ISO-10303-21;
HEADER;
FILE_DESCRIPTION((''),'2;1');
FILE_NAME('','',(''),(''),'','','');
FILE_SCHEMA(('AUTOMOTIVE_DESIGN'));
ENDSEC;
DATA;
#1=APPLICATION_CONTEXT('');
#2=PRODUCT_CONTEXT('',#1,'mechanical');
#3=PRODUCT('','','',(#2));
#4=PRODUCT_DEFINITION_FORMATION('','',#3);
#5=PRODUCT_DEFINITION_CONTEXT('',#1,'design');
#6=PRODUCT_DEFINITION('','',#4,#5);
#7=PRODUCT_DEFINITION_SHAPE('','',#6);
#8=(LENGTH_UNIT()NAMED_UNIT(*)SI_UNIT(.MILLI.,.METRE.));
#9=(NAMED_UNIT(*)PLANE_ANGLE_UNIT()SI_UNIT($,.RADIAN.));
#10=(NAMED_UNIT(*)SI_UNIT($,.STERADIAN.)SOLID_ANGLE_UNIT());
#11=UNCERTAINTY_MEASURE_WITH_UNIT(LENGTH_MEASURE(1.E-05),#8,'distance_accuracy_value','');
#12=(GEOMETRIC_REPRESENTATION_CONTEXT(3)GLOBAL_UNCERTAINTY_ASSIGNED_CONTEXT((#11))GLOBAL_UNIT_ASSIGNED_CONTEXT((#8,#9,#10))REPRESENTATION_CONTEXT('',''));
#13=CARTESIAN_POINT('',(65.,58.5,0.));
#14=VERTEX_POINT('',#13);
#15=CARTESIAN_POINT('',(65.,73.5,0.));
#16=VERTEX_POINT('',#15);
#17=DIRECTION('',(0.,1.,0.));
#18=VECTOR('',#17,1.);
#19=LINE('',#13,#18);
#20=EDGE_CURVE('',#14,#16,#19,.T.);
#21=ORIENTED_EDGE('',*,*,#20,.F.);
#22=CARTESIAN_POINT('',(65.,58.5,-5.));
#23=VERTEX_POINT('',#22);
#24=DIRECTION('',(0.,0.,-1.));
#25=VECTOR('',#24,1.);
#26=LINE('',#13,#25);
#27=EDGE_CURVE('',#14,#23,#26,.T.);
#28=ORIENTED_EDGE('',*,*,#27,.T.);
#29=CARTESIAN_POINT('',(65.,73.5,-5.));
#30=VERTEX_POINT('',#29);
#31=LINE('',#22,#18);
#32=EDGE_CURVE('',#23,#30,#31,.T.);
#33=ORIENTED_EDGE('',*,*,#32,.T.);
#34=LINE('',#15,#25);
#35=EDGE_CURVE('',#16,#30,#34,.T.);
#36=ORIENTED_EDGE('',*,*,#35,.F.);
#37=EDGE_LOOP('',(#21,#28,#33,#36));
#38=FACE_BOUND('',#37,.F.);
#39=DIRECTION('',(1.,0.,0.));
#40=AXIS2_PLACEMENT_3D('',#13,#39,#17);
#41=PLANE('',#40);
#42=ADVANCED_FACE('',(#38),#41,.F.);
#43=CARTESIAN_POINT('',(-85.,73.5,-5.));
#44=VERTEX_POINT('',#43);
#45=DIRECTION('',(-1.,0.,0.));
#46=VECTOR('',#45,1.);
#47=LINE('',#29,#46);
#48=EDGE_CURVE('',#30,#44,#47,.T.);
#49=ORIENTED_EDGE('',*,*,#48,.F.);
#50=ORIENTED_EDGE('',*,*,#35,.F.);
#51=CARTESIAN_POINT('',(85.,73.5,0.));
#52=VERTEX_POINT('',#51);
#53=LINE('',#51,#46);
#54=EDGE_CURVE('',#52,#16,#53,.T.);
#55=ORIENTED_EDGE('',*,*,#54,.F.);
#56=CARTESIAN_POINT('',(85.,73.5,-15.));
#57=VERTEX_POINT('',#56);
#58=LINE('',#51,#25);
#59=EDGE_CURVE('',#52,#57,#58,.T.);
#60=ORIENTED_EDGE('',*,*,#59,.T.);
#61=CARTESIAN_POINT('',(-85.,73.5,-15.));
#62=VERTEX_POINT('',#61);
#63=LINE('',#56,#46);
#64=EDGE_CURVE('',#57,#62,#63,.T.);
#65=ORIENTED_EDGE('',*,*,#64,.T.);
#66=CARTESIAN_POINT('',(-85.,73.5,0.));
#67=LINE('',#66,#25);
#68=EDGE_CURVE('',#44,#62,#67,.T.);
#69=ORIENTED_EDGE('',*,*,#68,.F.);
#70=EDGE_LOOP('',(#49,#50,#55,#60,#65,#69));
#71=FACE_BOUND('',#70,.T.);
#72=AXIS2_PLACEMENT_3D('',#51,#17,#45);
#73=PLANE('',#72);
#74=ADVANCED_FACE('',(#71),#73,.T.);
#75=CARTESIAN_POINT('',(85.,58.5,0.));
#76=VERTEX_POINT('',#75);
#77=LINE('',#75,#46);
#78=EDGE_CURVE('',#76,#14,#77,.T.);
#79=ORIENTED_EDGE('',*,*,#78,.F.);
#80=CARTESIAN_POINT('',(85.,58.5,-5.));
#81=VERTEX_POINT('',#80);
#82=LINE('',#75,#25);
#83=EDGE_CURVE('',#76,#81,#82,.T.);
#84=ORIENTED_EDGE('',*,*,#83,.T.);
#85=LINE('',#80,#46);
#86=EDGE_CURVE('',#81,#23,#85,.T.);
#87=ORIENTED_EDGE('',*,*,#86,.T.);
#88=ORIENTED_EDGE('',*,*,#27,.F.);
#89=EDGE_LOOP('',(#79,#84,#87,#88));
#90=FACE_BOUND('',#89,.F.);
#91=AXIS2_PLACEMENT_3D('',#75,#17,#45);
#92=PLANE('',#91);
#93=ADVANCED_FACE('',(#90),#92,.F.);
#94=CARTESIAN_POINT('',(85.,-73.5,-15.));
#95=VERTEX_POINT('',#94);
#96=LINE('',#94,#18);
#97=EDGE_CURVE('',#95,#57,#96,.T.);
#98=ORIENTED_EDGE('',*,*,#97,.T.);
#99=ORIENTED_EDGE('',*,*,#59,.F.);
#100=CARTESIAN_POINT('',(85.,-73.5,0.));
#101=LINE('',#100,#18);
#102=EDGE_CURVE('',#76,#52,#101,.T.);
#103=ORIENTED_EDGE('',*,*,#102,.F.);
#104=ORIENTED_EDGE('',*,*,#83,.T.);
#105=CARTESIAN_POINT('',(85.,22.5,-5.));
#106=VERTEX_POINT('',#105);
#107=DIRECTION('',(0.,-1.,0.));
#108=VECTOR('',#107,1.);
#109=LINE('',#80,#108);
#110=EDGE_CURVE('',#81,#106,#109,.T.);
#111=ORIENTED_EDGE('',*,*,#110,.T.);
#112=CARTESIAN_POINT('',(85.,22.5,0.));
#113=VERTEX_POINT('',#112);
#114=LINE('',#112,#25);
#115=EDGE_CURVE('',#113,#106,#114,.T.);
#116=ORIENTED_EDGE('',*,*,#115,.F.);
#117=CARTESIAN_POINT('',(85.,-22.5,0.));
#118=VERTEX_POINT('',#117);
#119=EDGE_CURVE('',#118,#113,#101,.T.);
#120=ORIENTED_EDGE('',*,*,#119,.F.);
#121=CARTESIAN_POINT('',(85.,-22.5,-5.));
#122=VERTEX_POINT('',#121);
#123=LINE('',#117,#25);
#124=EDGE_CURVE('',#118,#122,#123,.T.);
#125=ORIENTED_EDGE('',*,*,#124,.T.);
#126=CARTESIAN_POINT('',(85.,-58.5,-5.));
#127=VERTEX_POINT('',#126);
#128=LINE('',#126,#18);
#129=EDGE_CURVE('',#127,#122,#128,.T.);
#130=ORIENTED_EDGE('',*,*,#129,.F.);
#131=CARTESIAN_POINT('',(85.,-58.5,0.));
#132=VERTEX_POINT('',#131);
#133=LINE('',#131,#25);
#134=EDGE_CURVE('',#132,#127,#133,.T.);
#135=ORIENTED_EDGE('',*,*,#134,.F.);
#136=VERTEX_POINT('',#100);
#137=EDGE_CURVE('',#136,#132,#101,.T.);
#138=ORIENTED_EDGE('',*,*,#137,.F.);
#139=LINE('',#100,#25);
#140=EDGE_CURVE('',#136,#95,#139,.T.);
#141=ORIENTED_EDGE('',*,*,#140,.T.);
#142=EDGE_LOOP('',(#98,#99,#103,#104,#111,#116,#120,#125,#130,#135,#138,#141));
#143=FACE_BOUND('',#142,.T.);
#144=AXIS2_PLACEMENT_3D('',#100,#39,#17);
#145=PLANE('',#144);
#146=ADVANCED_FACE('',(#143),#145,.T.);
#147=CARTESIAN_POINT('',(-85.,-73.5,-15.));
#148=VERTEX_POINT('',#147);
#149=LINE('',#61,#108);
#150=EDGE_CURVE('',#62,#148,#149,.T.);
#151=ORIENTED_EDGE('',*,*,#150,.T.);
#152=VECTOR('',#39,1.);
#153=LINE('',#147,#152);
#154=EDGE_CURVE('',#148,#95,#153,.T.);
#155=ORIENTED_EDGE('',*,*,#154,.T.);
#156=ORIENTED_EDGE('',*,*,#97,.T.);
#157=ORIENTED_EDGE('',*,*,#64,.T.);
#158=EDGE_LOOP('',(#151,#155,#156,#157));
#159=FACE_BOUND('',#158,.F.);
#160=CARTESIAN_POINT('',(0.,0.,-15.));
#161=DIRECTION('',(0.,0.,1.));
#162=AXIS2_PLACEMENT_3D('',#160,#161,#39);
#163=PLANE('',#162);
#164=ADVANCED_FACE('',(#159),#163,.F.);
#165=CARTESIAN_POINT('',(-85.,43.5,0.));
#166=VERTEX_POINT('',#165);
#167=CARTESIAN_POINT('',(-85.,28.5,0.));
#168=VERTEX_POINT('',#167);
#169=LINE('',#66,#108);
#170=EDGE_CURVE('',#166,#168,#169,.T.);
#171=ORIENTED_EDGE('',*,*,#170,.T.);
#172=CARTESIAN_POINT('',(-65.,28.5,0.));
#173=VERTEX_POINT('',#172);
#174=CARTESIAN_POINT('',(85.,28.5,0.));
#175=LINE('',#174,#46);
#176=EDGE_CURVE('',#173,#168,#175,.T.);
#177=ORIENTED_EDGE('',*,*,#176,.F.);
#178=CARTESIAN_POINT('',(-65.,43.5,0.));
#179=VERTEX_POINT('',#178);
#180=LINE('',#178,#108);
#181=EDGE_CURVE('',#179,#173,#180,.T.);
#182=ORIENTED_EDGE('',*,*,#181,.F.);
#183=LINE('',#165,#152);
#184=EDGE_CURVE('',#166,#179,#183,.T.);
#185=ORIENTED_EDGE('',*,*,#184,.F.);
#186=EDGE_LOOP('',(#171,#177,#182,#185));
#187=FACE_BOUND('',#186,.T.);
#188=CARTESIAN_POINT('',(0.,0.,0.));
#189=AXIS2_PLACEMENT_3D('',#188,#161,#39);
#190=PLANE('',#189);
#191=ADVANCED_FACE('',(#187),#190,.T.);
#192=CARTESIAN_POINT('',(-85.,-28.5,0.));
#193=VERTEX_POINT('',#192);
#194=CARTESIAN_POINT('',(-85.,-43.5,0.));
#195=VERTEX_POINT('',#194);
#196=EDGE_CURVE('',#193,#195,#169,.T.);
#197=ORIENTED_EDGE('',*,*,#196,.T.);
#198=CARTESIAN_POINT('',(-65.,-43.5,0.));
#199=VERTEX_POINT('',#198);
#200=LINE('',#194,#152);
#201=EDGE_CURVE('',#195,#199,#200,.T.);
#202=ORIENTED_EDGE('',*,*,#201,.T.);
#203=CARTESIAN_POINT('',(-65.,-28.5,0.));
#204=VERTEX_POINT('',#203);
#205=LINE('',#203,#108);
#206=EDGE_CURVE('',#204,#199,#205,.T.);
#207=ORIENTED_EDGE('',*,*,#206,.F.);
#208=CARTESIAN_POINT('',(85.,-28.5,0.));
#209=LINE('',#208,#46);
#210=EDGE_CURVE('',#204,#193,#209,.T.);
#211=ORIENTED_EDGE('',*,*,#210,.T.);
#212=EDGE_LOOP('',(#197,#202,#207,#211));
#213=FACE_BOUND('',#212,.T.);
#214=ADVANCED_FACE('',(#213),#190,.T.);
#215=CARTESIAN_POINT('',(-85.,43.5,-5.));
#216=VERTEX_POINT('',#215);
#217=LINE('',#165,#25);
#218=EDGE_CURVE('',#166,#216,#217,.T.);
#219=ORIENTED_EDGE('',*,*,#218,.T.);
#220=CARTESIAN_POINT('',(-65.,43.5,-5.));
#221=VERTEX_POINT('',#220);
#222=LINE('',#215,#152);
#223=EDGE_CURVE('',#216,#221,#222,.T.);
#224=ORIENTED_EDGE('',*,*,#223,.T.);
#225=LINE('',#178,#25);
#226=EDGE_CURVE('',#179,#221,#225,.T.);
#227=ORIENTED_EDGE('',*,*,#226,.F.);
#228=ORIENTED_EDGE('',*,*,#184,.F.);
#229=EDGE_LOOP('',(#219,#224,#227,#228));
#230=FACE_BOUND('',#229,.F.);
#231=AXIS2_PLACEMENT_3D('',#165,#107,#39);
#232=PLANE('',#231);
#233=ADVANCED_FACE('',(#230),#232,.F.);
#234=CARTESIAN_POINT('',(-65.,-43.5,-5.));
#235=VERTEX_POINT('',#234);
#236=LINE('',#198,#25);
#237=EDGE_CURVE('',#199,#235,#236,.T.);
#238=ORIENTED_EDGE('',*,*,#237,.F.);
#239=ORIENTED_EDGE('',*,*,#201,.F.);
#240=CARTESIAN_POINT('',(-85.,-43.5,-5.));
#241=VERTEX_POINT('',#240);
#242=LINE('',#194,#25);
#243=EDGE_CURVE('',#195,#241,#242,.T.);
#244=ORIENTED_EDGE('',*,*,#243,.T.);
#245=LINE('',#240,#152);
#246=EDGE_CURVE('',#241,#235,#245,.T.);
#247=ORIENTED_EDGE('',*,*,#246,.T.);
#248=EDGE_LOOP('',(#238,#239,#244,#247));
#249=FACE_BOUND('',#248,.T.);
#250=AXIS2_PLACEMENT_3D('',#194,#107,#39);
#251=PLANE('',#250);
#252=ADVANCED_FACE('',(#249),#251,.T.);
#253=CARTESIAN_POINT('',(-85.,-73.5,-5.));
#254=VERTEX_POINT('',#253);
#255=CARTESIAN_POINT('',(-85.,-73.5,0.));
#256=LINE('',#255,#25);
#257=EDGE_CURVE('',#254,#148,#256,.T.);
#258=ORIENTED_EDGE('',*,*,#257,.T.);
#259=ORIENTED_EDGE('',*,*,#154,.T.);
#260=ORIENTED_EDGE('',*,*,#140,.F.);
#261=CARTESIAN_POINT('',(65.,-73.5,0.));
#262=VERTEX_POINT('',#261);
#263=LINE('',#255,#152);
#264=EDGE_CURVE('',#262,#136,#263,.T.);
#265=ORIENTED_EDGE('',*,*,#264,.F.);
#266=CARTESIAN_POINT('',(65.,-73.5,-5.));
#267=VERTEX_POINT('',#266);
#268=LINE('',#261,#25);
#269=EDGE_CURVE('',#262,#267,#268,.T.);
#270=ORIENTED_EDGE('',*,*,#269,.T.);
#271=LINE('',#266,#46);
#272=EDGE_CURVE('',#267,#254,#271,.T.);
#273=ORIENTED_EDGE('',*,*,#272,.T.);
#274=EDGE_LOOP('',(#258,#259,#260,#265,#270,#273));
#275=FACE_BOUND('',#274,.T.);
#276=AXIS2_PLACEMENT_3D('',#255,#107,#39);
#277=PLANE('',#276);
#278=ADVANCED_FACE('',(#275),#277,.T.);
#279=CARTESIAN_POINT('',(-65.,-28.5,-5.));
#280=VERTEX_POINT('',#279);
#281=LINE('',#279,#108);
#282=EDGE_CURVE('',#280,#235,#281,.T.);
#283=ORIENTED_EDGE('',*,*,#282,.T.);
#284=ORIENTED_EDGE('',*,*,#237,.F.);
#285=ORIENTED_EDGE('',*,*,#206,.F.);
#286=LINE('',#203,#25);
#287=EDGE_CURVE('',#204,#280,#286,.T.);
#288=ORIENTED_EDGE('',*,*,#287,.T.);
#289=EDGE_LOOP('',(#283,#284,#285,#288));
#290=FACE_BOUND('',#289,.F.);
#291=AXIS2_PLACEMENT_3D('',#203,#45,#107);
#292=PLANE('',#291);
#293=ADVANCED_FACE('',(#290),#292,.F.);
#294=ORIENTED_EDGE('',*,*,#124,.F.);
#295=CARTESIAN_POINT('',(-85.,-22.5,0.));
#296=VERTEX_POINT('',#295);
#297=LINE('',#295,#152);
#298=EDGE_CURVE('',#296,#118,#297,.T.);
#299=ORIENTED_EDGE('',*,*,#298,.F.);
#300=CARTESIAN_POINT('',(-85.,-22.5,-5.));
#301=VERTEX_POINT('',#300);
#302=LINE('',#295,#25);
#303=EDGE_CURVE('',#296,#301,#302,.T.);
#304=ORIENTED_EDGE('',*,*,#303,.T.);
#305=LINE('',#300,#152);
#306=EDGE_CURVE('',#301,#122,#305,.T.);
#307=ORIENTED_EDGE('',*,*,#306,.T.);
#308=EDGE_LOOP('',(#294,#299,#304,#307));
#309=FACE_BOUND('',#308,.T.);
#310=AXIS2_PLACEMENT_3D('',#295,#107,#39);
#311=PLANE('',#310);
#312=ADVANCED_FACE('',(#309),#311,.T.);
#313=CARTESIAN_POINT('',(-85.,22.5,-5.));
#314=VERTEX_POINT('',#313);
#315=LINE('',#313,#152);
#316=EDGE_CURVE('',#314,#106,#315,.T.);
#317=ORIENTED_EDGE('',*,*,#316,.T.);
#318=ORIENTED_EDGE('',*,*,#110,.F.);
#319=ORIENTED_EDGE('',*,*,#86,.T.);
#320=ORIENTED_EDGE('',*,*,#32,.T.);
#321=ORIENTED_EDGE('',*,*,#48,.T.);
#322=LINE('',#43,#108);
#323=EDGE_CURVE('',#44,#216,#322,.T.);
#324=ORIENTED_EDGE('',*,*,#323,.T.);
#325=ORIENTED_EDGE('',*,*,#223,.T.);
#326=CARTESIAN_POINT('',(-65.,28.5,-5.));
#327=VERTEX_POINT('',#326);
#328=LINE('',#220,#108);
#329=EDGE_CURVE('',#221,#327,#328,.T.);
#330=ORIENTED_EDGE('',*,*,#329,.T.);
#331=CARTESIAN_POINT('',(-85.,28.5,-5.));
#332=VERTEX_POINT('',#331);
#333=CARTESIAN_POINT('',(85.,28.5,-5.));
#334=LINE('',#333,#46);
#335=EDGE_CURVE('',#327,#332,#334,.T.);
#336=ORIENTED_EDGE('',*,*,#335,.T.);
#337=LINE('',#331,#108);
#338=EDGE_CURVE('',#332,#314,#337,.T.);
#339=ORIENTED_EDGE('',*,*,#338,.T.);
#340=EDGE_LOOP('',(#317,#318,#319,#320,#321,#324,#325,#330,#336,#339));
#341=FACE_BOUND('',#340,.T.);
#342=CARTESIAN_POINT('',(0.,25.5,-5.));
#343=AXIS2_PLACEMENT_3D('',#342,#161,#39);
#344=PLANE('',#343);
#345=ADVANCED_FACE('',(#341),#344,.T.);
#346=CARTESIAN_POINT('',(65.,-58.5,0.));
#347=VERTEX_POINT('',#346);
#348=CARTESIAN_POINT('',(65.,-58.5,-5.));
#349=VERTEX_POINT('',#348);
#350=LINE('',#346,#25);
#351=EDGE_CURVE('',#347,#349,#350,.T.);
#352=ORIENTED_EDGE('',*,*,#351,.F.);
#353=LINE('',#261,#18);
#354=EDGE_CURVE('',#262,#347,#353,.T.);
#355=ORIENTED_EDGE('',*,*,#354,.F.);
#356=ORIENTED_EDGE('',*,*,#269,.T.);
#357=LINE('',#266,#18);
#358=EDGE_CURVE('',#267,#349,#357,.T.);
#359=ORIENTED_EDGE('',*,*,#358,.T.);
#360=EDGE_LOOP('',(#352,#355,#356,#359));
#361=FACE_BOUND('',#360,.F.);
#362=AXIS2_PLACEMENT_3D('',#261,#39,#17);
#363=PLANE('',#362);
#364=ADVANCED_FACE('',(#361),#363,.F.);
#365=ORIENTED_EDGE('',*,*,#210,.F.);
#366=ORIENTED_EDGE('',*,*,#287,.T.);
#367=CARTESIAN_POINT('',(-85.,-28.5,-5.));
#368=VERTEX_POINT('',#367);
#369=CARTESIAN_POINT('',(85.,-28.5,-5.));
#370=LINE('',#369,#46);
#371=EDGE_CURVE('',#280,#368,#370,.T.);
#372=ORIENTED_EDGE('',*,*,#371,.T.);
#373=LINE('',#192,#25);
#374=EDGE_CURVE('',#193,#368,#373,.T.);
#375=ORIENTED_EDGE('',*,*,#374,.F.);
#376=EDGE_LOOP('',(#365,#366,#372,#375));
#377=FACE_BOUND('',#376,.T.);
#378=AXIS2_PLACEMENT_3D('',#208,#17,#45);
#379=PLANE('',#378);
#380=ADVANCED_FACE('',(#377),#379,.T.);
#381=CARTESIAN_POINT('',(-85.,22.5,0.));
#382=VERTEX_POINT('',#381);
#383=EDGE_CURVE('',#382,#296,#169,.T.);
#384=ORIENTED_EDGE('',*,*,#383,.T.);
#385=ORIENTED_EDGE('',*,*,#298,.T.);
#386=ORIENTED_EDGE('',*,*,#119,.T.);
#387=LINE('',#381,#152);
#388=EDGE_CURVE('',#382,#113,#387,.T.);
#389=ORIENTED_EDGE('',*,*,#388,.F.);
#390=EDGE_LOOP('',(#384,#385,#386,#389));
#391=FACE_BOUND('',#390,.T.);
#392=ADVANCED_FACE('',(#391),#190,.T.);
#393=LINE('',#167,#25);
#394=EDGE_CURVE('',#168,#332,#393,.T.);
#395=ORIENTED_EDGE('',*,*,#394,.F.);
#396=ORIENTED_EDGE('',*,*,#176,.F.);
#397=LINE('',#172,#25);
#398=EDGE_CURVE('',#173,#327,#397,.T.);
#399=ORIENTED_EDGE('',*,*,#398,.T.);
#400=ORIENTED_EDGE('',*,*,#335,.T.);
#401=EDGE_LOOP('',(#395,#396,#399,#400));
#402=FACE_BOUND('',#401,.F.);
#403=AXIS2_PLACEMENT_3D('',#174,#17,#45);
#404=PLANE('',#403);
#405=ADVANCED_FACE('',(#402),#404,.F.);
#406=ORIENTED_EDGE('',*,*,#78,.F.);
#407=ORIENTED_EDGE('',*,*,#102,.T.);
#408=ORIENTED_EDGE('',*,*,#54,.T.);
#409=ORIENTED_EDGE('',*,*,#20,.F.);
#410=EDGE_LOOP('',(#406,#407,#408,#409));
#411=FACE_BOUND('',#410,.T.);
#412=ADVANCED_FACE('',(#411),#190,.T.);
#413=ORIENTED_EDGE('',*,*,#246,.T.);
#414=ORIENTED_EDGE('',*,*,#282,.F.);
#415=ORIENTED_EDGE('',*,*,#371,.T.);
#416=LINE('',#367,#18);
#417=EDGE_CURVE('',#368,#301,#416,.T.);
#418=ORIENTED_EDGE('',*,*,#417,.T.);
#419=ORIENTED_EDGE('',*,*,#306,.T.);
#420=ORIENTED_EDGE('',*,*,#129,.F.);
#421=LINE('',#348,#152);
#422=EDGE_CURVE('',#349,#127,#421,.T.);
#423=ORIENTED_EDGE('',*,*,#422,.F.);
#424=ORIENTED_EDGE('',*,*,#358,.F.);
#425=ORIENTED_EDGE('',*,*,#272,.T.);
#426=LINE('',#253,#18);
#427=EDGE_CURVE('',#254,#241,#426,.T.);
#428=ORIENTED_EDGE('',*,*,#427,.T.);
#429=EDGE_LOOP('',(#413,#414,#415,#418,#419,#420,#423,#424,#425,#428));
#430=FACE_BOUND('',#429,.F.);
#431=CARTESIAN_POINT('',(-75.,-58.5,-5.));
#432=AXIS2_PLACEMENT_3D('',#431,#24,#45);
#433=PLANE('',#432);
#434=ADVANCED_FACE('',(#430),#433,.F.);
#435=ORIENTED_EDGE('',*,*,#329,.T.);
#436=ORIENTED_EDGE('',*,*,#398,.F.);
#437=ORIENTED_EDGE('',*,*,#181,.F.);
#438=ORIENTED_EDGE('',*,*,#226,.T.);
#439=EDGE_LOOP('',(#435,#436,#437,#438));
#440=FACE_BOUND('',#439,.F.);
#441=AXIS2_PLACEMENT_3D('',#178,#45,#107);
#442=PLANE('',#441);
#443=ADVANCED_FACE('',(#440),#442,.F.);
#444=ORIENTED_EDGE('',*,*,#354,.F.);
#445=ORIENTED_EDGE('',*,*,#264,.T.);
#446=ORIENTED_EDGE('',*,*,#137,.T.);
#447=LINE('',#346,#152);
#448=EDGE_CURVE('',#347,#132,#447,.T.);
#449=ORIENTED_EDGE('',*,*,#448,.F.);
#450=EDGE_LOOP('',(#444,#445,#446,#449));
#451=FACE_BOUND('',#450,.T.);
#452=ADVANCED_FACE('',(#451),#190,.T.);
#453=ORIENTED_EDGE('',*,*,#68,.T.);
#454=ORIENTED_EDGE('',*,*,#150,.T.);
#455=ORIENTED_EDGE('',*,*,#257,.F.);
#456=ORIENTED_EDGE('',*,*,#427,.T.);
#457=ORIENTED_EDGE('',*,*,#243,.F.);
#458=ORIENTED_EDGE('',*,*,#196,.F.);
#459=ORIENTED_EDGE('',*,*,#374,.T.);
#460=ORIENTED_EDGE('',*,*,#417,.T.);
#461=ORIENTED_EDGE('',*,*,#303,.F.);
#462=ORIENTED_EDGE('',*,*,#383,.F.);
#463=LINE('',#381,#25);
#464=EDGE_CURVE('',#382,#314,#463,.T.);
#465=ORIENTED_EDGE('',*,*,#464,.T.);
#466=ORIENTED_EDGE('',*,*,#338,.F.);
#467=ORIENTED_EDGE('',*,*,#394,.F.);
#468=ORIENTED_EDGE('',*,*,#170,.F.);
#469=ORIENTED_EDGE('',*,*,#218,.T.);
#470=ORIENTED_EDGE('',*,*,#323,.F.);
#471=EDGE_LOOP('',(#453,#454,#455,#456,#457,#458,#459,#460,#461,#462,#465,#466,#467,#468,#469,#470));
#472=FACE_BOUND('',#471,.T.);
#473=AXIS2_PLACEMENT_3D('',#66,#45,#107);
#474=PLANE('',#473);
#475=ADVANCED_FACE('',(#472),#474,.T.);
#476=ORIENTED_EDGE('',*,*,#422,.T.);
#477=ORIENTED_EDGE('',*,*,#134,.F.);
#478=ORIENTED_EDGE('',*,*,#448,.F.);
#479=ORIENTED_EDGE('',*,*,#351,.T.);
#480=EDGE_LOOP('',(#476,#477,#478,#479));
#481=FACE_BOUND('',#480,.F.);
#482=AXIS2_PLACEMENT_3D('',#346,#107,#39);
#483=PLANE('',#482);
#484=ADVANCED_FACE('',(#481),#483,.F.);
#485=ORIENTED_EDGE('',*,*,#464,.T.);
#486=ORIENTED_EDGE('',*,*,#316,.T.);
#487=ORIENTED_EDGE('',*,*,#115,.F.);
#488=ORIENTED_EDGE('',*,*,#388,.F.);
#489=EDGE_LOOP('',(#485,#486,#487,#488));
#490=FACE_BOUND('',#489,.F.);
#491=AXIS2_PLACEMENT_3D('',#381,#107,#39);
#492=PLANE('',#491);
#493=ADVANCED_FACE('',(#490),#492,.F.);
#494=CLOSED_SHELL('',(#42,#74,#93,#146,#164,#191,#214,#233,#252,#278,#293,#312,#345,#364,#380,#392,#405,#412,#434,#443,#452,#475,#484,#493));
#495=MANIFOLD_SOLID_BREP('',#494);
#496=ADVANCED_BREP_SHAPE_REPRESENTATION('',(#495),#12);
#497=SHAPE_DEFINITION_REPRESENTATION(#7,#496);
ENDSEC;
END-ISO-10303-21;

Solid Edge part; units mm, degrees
sketch "Sketch1" plane through (0, 0, 0) normal (0, 0, 1) x (1, 0, 0)
  line L0 (-85, -73.5) -> (85, -73.5)
  line L1 (85, -73.5) -> (85, 73.5)
  line L2 (85, 73.5) -> (-85, 73.5)
  line L3 (-85, 73.5) -> (-85, -73.5)
extrude "Protrusion1" add sketch "Sketch1" against normal blind 15
sketch "Sketch2" plane through (0, 0, 0) normal (0, 0, 1) x (1, 0, 0)
  line L0 (-85, -22.5) -> (85, -22.5)
  line L1 (85, -22.5) -> (85, -28.5)
  line L2 (85, -28.5) -> (-85, -28.5)
  line L3 (-85, -28.5) -> (-85, -22.5)
extrude "ExtrudedCutout_1" cut sketch "Sketch2" against normal blind 5
sketch "Sketch3" plane through (0, 25.5, 0) normal (0, 0, 1) x (1, 0, 0)
  line L0 (-85, -3) -> (85, -3)
  line L1 (85, -3) -> (85, 3)
  line L2 (85, 3) -> (-85, 3)
  line L3 (-85, 3) -> (-85, -3)
extrude "ExtrudedCutout_2" cut sketch "Sketch3" against normal blind 5
sketch "Sketch4" plane through (0, -51, 0) normal (0, 0, 1) x (1, 0, 0)
  line L0 (85, 22.5) -> (-65, 22.5)
  line L1 (-65, 22.5) -> (-65, -22.5)
  line L2 (-65, -22.5) -> (65, -22.5)
  line L3 (65, -22.5) -> (65, -7.5)
  line L4 (65, -7.5) -> (85, -7.5)
  line L5 (85, -7.5) -> (85, 22.5)
extrude "ExtrudedCutout_3" cut sketch "Sketch4" against normal blind 5
sketch "Sketch5" plane through (-75, -51, 0) normal (0, 0, 1) x (1, 0, 0)
  line L0 (-10, 7.5) -> (10, 7.5)
  line L1 (10, 7.5) -> (10, -22.5)
  line L2 (10, -22.5) -> (-10, -22.5)
  line L3 (-10, -22.5) -> (-10, 7.5)
extrude "ExtrudedCutout_4" cut sketch "Sketch5" against normal blind 5
sketch "Sketch6" plane through (0, 51, 0) normal (0, 0, 1) x (1, 0, 0)
  line L0 (-85, 22.5) -> (-85, -7.5)
  line L1 (-85, -7.5) -> (-65, -7.5)
  line L2 (-65, -7.5) -> (-65, -22.5)
  line L3 (-65, -22.5) -> (85, -22.5)
  line L4 (85, -22.5) -> (85, 7.5)
  line L5 (85, 7.5) -> (65, 7.5)
  line L6 (65, 7.5) -> (65, 22.5)
  line L7 (65, 22.5) -> (-85, 22.5)
extrude "ExtrudedCutout_5" cut sketch "Sketch6" against normal blind 5
